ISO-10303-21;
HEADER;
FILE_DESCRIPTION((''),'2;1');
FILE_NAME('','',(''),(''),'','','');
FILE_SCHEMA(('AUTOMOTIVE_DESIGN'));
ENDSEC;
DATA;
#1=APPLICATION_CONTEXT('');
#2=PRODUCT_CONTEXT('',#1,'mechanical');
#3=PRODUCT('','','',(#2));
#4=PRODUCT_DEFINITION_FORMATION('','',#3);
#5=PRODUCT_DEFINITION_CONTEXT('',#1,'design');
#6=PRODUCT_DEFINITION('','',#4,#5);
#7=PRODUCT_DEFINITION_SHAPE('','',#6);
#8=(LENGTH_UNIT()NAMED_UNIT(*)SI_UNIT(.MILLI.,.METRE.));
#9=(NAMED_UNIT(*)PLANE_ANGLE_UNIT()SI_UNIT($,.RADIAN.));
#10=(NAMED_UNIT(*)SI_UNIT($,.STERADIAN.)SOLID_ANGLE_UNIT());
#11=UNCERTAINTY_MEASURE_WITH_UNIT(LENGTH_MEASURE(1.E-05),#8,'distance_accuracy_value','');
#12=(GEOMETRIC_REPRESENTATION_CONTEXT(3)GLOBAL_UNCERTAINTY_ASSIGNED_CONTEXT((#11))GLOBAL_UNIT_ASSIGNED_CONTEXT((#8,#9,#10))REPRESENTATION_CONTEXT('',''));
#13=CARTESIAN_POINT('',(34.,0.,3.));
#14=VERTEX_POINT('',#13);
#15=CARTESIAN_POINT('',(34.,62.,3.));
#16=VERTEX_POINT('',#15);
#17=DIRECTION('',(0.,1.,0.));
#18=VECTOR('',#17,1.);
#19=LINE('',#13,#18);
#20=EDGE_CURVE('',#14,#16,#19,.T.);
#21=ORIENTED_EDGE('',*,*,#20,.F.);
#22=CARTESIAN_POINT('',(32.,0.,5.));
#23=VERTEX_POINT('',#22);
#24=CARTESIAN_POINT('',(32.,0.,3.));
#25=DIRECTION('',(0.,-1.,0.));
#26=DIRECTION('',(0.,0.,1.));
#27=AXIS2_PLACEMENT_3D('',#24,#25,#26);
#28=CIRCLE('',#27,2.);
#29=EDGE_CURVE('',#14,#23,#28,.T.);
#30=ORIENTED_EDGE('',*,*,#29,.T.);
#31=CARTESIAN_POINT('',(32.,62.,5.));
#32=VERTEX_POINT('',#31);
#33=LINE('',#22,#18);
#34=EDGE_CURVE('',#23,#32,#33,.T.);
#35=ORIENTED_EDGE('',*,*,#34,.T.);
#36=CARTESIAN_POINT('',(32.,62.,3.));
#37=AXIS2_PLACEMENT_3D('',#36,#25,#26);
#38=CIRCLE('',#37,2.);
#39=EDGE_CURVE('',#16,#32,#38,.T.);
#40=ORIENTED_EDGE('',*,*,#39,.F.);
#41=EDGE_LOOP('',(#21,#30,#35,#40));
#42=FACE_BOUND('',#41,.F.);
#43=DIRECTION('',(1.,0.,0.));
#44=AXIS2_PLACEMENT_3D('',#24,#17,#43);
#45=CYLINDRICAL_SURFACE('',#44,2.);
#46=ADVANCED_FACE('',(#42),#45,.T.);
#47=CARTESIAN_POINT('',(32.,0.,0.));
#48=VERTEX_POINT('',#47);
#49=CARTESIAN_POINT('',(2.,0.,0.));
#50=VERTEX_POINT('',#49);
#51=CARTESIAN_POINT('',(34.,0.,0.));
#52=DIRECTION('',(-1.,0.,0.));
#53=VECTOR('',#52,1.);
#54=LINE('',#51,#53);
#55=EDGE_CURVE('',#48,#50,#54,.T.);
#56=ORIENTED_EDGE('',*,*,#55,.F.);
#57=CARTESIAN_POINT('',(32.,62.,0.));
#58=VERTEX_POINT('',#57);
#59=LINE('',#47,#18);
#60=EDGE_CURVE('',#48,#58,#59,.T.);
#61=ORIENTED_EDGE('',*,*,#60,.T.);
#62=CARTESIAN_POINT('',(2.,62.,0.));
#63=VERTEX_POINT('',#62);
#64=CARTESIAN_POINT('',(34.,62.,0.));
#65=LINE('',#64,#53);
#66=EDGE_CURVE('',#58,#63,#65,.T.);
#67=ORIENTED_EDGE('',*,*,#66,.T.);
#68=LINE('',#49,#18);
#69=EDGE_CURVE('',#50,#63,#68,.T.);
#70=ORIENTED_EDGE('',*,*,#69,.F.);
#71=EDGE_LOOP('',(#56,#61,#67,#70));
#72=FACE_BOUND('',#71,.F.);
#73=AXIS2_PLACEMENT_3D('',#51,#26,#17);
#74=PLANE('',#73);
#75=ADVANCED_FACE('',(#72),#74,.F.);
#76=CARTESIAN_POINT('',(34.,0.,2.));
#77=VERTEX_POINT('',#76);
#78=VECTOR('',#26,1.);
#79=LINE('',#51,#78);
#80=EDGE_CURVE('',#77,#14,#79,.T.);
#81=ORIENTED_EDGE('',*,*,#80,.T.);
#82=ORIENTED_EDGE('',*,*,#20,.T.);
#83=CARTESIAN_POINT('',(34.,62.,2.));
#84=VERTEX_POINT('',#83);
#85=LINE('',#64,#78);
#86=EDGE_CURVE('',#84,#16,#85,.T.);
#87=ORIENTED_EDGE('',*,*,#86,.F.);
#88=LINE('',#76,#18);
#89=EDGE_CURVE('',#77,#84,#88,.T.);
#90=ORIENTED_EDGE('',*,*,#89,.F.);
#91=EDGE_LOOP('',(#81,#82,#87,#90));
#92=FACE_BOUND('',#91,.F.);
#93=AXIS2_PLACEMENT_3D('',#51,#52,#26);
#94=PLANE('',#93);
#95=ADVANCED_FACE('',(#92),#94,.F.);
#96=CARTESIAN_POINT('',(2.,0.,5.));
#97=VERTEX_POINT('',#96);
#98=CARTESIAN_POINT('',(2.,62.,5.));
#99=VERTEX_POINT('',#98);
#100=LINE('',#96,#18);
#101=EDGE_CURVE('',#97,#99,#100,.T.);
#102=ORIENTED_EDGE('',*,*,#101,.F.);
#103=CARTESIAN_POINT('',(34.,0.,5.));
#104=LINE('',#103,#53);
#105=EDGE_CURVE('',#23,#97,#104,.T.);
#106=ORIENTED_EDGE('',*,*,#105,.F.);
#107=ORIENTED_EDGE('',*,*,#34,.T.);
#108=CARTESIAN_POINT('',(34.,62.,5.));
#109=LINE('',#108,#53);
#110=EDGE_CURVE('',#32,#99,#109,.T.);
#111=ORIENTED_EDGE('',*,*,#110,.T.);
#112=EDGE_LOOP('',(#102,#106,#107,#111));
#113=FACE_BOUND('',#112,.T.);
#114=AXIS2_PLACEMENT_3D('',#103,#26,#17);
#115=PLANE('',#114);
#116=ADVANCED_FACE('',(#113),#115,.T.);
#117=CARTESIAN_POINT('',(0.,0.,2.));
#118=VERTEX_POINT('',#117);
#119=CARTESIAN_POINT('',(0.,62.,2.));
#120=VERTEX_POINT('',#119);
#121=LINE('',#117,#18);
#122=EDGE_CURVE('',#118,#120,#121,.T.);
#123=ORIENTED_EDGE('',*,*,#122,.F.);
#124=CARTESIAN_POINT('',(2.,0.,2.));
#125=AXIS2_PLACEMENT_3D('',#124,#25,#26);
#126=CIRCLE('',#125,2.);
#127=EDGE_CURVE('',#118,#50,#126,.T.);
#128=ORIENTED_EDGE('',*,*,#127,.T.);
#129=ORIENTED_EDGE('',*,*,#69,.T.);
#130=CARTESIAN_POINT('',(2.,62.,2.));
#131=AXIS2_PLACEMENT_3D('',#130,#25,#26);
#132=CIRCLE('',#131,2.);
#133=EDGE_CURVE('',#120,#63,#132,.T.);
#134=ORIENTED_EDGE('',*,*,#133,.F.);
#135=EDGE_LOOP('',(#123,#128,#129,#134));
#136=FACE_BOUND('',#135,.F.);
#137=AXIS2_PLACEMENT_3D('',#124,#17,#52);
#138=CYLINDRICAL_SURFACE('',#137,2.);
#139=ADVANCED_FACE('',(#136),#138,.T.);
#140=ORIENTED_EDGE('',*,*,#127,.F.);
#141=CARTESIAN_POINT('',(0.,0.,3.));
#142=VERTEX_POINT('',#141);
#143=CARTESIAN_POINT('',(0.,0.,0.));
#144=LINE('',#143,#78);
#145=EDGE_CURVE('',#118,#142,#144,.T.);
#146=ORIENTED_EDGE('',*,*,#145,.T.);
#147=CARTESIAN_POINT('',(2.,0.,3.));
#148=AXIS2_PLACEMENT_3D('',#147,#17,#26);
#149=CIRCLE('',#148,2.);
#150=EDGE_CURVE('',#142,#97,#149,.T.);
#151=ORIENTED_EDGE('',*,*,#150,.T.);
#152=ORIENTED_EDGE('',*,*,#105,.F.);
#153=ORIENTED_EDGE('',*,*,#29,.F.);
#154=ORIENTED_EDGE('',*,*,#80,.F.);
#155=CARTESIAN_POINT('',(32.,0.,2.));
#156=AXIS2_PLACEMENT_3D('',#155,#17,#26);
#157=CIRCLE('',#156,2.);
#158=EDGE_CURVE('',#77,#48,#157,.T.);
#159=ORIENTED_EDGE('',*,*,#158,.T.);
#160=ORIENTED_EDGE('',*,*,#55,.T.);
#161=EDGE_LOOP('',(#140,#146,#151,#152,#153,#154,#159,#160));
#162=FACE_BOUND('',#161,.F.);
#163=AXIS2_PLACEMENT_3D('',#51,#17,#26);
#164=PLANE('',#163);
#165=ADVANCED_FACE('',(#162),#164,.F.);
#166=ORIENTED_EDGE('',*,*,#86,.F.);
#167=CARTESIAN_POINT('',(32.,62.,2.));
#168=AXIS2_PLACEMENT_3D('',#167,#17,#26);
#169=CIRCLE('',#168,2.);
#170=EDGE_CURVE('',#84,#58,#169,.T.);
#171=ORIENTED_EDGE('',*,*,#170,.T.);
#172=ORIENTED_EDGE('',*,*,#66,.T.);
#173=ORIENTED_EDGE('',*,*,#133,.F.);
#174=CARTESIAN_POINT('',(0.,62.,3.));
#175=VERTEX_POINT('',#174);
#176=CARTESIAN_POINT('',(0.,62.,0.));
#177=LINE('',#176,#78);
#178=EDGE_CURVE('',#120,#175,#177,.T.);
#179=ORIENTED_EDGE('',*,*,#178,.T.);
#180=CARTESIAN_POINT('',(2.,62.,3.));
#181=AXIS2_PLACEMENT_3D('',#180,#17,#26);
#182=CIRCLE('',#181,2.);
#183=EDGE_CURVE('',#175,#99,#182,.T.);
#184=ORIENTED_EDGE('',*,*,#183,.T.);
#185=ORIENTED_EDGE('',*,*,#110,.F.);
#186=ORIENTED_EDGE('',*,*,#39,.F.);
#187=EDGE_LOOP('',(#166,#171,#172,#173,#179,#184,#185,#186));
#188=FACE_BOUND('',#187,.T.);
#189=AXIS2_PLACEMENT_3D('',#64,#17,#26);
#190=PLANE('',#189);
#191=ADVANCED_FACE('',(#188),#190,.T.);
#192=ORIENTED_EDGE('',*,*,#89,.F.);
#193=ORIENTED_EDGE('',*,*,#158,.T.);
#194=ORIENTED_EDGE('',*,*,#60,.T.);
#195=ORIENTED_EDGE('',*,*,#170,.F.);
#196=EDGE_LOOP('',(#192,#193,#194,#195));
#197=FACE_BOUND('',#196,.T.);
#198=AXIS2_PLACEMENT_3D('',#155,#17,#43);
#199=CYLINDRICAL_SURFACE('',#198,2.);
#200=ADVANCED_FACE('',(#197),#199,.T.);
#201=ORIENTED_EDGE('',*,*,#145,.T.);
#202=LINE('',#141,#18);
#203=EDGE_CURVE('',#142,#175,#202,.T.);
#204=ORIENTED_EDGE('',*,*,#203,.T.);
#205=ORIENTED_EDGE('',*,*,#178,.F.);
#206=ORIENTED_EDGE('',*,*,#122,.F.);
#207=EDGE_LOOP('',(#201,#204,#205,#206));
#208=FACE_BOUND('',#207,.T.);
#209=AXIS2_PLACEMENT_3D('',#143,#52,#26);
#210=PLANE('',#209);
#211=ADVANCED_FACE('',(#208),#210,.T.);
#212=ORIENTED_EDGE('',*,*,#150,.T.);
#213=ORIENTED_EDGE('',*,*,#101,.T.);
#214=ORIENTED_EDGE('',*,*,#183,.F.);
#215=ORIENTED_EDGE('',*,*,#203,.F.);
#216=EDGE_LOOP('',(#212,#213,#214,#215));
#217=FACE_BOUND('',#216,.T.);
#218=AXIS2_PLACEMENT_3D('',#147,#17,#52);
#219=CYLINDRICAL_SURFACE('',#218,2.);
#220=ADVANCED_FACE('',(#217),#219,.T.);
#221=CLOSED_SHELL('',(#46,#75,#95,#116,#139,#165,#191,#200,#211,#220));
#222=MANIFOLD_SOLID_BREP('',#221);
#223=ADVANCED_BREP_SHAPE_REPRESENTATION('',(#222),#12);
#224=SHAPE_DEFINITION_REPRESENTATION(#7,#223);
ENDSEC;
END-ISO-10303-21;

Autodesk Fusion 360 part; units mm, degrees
sketch "Sketch1" plane through (0, 0, 0) normal (0, 0, 1) x (1, 0, 0)
box "BoxPrimitive1" add length 62 width 34 height 5 placed x (0, 1, 0) y (-1, 0, 0) z (0, 0, 1) at (34, 0, 0)
fillet "Fillet1" radius 2 4 edges at (34, 31, 5) (34, 31, 0) (0, 31, 5) (0, 31, 0)
